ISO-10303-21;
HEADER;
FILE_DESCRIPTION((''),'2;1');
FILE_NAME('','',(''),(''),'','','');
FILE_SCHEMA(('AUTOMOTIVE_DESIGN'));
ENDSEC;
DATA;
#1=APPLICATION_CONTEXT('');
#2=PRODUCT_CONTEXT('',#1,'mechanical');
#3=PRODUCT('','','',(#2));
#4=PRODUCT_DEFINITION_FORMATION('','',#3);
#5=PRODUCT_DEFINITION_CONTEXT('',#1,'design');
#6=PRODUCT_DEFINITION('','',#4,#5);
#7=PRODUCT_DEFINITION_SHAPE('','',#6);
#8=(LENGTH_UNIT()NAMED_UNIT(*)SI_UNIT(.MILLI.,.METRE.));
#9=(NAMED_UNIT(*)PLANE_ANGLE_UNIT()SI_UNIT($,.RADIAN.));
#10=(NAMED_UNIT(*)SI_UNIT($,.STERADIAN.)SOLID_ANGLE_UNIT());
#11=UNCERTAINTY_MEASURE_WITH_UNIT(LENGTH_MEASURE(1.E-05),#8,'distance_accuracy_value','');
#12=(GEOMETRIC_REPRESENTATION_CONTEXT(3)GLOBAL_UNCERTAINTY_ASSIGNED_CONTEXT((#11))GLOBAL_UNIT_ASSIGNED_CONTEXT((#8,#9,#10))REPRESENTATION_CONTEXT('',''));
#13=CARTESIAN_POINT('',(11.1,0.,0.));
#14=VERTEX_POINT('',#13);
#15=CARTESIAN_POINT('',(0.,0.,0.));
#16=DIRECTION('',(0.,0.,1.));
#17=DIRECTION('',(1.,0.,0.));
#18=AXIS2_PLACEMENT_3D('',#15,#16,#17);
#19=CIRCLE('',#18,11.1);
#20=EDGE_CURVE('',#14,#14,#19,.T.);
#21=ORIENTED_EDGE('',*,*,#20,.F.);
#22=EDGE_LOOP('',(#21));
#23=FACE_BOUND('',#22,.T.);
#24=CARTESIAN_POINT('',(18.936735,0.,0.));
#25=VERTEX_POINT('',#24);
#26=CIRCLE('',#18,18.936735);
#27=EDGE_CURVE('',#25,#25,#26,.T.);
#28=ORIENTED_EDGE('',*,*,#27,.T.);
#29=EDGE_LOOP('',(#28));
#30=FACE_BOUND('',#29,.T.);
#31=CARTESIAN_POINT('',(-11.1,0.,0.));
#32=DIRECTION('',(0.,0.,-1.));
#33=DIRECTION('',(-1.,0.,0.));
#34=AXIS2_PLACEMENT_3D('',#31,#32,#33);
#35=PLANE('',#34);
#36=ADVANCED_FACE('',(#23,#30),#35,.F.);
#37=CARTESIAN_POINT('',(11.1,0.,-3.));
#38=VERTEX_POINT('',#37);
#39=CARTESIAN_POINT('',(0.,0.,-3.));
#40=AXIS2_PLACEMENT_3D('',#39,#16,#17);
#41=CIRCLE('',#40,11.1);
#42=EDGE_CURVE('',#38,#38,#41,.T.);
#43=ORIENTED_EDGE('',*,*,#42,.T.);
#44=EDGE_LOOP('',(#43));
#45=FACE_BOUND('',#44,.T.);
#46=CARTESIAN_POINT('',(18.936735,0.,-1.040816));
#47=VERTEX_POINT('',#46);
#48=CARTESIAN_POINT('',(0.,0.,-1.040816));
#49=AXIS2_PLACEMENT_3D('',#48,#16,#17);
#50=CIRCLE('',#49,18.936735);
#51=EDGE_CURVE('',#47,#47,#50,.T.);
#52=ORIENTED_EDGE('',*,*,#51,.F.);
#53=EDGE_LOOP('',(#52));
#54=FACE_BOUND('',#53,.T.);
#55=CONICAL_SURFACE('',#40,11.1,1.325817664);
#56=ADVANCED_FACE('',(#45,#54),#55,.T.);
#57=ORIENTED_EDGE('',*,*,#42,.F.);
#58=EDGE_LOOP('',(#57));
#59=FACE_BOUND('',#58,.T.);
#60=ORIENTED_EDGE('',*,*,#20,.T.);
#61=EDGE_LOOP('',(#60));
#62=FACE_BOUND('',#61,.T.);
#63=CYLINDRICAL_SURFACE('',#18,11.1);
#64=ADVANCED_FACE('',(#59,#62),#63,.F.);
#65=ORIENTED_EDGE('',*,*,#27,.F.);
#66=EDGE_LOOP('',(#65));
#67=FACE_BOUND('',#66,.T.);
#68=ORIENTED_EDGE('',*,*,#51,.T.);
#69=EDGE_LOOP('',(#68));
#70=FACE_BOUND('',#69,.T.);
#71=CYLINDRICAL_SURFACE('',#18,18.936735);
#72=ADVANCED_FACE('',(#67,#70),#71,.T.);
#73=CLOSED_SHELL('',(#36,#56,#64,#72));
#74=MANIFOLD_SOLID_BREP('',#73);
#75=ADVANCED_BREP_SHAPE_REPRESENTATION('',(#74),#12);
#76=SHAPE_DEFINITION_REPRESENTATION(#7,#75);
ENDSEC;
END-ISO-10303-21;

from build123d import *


with BuildPart() as part:
    # Sketch1 → Revolve1 (revolve)
    with BuildSketch(Plane(origin=(0, 0, 0), x_dir=(1, 0, 0), z_dir=(0, 1, 0))):
        Polygon((-18.936734694, 0), (-18.936734694, 1.040816327), (-11.1, 3), (-11.1, 0), align=None)
    revolve(axis=Axis((0, 0, 0), (0, 0, -1)))


solid = part.part
